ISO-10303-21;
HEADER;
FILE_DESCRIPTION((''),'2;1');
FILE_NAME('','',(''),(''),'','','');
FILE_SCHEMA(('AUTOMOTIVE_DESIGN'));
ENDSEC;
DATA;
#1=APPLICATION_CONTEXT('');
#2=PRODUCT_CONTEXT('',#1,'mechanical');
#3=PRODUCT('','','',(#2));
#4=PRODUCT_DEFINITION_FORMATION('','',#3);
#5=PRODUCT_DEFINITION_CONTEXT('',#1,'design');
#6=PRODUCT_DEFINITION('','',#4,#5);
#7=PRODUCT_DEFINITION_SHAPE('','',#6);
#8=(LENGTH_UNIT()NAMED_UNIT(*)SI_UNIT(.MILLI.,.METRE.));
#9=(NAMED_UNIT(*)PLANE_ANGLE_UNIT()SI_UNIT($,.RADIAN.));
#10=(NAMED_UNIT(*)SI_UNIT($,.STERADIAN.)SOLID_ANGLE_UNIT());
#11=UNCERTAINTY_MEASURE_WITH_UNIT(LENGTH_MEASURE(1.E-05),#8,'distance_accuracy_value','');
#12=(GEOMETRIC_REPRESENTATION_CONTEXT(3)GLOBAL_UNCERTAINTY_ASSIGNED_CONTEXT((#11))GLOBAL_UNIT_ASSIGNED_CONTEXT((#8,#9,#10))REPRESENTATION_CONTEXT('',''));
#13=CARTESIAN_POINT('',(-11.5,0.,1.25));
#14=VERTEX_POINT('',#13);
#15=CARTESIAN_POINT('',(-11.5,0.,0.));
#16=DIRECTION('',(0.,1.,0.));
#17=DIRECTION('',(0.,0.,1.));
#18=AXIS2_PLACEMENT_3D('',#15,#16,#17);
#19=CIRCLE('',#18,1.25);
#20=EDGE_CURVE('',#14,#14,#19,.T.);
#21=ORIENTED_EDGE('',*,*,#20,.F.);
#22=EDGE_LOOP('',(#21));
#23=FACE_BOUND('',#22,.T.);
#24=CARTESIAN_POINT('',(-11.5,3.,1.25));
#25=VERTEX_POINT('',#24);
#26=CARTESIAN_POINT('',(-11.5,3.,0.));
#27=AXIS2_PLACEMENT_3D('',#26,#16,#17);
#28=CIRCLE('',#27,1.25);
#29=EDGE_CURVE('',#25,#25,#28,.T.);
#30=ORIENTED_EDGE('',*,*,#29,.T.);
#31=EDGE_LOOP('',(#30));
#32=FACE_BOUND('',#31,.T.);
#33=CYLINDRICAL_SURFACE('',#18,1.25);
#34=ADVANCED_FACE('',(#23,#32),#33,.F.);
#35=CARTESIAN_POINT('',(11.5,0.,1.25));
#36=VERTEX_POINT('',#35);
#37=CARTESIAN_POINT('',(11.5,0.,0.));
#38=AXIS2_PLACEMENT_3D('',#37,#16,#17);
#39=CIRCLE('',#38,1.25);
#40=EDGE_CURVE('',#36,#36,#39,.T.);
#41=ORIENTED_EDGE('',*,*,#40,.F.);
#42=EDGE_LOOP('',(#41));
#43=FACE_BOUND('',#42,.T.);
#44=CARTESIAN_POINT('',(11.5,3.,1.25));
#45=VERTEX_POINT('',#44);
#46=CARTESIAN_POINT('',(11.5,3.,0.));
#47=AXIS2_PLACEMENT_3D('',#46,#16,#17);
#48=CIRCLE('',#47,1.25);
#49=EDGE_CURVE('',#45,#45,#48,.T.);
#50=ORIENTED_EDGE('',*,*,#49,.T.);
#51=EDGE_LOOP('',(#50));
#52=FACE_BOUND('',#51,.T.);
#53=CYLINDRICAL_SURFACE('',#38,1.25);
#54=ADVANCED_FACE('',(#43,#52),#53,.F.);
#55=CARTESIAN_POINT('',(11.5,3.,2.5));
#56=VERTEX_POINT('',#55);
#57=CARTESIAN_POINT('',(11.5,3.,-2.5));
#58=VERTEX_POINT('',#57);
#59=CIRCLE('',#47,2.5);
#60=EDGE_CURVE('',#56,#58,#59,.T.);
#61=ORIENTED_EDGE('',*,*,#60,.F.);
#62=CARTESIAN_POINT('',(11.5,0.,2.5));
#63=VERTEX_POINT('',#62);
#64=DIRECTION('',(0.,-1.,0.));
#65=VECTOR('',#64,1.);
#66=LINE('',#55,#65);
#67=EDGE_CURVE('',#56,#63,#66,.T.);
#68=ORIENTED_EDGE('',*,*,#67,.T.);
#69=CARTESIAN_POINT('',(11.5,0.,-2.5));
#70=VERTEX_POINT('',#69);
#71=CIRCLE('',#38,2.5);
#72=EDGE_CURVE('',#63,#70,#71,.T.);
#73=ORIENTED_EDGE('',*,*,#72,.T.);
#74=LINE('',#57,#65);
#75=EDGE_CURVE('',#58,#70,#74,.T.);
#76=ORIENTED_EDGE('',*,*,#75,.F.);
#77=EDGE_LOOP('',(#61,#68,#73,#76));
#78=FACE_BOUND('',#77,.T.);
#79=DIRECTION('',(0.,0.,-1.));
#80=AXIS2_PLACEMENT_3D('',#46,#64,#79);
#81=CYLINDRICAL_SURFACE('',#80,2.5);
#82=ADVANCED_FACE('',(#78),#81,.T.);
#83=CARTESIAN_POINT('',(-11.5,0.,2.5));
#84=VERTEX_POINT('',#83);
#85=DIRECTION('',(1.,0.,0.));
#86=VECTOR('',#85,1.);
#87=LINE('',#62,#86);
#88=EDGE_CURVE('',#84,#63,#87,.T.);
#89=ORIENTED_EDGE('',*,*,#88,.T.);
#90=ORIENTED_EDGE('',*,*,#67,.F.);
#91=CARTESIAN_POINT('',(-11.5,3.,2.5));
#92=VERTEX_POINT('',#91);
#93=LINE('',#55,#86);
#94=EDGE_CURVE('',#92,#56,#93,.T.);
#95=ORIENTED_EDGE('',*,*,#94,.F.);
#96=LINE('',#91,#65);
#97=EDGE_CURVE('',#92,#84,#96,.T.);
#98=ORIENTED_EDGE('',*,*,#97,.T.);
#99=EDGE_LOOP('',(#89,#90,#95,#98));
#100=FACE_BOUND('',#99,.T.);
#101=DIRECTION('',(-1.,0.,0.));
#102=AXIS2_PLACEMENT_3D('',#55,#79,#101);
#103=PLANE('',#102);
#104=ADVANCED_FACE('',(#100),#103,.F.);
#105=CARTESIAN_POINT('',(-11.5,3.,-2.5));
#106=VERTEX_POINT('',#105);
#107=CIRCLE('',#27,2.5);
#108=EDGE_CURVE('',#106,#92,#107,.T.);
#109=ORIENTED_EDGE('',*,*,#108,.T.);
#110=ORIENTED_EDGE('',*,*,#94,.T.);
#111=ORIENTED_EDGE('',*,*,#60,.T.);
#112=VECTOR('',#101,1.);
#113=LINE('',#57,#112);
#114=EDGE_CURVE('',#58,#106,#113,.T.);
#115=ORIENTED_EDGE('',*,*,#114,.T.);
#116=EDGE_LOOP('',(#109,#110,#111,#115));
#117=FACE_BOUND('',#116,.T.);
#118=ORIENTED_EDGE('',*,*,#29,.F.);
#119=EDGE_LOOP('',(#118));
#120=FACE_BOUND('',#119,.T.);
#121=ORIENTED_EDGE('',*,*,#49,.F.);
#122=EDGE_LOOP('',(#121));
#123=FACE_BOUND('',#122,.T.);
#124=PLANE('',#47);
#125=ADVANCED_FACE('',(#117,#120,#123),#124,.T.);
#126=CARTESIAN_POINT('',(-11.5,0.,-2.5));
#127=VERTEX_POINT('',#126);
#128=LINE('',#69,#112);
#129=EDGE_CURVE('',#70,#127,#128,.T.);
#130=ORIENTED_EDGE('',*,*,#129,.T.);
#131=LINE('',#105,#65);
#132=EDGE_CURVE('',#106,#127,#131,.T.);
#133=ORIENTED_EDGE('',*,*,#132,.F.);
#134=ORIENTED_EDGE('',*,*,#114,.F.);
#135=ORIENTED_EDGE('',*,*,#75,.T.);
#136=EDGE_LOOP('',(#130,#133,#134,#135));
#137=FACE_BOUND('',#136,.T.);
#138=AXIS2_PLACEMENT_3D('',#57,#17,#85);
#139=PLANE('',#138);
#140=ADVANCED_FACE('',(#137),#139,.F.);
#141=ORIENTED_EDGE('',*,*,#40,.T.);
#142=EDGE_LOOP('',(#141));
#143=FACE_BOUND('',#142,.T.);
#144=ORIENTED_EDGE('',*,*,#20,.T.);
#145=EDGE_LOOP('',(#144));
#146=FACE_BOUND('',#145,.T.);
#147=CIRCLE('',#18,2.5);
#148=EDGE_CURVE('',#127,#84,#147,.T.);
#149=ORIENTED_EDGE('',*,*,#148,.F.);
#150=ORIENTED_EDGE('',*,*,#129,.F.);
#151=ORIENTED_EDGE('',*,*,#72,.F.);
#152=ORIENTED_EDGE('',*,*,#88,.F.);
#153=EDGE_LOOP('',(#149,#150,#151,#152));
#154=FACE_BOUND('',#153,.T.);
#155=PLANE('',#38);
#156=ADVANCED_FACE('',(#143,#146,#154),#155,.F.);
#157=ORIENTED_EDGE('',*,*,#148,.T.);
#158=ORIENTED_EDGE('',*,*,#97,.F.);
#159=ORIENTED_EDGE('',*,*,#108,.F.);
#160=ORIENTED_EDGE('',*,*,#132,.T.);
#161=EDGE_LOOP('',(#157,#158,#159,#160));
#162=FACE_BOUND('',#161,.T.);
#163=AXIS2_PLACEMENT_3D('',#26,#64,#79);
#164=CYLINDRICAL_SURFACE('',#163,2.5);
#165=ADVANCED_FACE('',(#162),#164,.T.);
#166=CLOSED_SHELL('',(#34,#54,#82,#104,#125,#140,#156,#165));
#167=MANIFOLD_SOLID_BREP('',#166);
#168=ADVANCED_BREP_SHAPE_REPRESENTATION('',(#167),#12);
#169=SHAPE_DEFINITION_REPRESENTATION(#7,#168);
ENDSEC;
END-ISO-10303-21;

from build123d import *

# Parameters (mm, degrees)
BOSS_EXTRUDE1_DEPTH = 3
SKETCH2_R           = 1.25
CUT_EXTRUDE1_DEPTH  = 15.534441854


with BuildPart() as part:
    # Sketch1 → Boss-Extrude1 (new body)
    with BuildSketch(Plane(origin=(0, 0, 0), x_dir=(1, 0, 0), z_dir=(0, 1, 0))):
        with BuildLine():
            Line((11.5, -2.5), (-11.5, -2.5))
            ThreePointArc((-11.5, -2.5), (-14, 0), (-11.5, 2.5))
            Line((-11.5, 2.5), (11.5, 2.5))
            ThreePointArc((11.5, 2.5), (14, 0), (11.5, -2.5))
        make_face()
    extrude(amount=BOSS_EXTRUDE1_DEPTH)

    # Sketch2 → Cut-Extrude1 (cut, through all)
    with BuildSketch(Plane(origin=(0, 3, 0), x_dir=(1, 0, 0), z_dir=(0, 1, 0))):
        with Locations(Location((11.5, 0, 0), (0, 0, 270))):
            Circle(SKETCH2_R)
        with Locations(Location((-11.5, 0, 0), (0, 0, 270))):
            Circle(SKETCH2_R)
    extrude(amount=-CUT_EXTRUDE1_DEPTH, mode=Mode.SUBTRACT)


solid = part.part
